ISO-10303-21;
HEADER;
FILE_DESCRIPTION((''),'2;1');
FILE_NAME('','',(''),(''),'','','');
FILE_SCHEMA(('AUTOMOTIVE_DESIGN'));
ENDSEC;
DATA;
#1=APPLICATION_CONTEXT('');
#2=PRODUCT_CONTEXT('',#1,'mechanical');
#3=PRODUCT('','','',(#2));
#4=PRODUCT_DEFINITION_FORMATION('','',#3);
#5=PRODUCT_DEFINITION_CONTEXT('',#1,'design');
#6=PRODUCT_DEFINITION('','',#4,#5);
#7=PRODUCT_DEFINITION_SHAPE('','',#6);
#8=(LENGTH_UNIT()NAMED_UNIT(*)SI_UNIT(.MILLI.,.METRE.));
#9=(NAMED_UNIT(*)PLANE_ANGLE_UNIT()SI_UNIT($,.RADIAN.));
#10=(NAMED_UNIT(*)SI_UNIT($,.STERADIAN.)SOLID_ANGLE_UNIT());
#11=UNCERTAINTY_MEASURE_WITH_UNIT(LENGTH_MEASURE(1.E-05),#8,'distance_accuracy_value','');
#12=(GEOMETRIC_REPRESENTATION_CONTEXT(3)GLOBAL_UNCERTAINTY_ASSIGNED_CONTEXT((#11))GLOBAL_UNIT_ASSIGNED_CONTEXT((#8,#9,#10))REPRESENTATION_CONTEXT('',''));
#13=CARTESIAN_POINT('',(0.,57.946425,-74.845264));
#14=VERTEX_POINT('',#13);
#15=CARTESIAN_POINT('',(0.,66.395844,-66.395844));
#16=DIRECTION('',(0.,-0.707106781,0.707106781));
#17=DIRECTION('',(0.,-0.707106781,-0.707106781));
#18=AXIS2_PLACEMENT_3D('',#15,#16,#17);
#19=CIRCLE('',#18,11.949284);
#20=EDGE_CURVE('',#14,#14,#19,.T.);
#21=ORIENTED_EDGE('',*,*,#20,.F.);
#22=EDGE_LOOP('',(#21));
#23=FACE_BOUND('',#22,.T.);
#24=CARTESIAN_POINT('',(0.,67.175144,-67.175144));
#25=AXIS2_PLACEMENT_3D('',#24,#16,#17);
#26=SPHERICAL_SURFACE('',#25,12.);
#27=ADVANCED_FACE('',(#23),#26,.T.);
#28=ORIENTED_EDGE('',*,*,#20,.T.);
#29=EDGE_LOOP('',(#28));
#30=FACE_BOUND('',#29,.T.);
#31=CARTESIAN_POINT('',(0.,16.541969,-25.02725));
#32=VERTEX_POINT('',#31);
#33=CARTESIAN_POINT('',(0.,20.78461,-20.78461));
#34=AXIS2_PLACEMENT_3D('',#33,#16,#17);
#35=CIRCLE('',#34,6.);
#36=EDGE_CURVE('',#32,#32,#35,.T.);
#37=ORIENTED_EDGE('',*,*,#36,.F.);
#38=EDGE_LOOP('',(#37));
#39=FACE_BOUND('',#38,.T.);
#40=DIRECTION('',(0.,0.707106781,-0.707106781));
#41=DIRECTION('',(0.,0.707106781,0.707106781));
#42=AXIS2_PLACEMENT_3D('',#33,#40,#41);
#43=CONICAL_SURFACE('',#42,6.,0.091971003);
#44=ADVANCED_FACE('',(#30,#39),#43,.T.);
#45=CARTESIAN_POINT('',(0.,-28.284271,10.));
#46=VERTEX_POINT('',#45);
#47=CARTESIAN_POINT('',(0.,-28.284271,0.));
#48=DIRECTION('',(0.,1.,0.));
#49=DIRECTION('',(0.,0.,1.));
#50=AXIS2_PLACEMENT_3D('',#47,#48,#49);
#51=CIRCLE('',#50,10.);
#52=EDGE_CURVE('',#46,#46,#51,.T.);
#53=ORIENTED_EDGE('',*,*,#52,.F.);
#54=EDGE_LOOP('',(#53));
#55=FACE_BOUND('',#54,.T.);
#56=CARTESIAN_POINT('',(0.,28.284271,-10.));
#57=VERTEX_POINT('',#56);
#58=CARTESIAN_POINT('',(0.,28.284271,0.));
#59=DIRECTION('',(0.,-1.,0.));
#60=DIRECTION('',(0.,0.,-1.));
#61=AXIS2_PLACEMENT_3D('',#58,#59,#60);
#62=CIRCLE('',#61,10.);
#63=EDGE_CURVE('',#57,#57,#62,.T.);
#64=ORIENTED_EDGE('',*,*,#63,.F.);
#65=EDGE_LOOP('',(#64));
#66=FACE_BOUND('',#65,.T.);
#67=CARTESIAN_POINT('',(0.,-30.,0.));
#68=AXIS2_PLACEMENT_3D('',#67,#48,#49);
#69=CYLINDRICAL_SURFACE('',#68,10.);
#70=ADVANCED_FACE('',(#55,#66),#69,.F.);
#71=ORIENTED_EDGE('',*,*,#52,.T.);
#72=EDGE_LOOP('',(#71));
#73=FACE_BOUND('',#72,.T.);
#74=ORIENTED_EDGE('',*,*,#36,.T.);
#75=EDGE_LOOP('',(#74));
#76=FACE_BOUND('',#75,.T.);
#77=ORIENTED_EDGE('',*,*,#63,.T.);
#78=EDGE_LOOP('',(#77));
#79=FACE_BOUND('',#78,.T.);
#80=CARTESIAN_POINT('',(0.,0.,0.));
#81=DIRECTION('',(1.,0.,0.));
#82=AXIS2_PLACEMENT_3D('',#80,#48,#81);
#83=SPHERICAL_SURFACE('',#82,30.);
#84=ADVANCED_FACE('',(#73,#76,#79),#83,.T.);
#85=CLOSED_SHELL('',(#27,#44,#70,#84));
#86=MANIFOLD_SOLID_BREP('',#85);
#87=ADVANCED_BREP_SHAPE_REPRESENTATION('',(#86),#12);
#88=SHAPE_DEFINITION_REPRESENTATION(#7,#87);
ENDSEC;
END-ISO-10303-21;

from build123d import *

# Parameters (mm, degrees)
CUT_EXTRUDE_1_DEPTH      = 52.961524227
CUT_EXTRUDE_1_DEPTH_BACK = 52.961524227
SKETCH_2_R               = 10


with BuildPart() as part:
    # 草图1 → 旋转1 (revolve)
    with BuildSketch(Plane.XY):
        with BuildLine():
            Line((0, 30), (0, -30))
            ThreePointArc((0, -30), (30, 0), (0, 30))
        make_face()
    revolve(axis=Axis((0, 30, 0), (0, -1, 0)))

    # 草图2 → 切除-拉伸1 (cut, two sides: drawn at the far end of the back side and taken through both)
    with BuildSketch(Plane(origin=(0, 0, 0), x_dir=(1, 0, 0), z_dir=(0, 1, 0)).offset(-CUT_EXTRUDE_1_DEPTH_BACK)):
        Circle(SKETCH_2_R)
    extrude(amount=CUT_EXTRUDE_1_DEPTH + CUT_EXTRUDE_1_DEPTH_BACK, mode=Mode.SUBTRACT)

    # 草图4 → 旋转10 (revolve)
    with BuildSketch(Plane(origin=(0, 0, 0), x_dir=(0, 0, -1), z_dir=(1, 0, 0))):
        with BuildLine():
            Line((20.784609691, 20.784609691), (25.027250378, 16.541969004))
            Line((25.027250378, 16.541969004), (74.845263688, 57.946424516))
            ThreePointArc((74.845263688, 57.946424516), (79.16245845, 66.623512664), (75.660425587, 75.660425587))
            Line((75.660425587, 75.660425587), (20.784609691, 20.784609691))
        make_face()
    revolve(axis=Axis((0, 20.784609691, -20.784609691), (0, 0.7071067811865493, -0.7071067811865458)))


solid = part.part
